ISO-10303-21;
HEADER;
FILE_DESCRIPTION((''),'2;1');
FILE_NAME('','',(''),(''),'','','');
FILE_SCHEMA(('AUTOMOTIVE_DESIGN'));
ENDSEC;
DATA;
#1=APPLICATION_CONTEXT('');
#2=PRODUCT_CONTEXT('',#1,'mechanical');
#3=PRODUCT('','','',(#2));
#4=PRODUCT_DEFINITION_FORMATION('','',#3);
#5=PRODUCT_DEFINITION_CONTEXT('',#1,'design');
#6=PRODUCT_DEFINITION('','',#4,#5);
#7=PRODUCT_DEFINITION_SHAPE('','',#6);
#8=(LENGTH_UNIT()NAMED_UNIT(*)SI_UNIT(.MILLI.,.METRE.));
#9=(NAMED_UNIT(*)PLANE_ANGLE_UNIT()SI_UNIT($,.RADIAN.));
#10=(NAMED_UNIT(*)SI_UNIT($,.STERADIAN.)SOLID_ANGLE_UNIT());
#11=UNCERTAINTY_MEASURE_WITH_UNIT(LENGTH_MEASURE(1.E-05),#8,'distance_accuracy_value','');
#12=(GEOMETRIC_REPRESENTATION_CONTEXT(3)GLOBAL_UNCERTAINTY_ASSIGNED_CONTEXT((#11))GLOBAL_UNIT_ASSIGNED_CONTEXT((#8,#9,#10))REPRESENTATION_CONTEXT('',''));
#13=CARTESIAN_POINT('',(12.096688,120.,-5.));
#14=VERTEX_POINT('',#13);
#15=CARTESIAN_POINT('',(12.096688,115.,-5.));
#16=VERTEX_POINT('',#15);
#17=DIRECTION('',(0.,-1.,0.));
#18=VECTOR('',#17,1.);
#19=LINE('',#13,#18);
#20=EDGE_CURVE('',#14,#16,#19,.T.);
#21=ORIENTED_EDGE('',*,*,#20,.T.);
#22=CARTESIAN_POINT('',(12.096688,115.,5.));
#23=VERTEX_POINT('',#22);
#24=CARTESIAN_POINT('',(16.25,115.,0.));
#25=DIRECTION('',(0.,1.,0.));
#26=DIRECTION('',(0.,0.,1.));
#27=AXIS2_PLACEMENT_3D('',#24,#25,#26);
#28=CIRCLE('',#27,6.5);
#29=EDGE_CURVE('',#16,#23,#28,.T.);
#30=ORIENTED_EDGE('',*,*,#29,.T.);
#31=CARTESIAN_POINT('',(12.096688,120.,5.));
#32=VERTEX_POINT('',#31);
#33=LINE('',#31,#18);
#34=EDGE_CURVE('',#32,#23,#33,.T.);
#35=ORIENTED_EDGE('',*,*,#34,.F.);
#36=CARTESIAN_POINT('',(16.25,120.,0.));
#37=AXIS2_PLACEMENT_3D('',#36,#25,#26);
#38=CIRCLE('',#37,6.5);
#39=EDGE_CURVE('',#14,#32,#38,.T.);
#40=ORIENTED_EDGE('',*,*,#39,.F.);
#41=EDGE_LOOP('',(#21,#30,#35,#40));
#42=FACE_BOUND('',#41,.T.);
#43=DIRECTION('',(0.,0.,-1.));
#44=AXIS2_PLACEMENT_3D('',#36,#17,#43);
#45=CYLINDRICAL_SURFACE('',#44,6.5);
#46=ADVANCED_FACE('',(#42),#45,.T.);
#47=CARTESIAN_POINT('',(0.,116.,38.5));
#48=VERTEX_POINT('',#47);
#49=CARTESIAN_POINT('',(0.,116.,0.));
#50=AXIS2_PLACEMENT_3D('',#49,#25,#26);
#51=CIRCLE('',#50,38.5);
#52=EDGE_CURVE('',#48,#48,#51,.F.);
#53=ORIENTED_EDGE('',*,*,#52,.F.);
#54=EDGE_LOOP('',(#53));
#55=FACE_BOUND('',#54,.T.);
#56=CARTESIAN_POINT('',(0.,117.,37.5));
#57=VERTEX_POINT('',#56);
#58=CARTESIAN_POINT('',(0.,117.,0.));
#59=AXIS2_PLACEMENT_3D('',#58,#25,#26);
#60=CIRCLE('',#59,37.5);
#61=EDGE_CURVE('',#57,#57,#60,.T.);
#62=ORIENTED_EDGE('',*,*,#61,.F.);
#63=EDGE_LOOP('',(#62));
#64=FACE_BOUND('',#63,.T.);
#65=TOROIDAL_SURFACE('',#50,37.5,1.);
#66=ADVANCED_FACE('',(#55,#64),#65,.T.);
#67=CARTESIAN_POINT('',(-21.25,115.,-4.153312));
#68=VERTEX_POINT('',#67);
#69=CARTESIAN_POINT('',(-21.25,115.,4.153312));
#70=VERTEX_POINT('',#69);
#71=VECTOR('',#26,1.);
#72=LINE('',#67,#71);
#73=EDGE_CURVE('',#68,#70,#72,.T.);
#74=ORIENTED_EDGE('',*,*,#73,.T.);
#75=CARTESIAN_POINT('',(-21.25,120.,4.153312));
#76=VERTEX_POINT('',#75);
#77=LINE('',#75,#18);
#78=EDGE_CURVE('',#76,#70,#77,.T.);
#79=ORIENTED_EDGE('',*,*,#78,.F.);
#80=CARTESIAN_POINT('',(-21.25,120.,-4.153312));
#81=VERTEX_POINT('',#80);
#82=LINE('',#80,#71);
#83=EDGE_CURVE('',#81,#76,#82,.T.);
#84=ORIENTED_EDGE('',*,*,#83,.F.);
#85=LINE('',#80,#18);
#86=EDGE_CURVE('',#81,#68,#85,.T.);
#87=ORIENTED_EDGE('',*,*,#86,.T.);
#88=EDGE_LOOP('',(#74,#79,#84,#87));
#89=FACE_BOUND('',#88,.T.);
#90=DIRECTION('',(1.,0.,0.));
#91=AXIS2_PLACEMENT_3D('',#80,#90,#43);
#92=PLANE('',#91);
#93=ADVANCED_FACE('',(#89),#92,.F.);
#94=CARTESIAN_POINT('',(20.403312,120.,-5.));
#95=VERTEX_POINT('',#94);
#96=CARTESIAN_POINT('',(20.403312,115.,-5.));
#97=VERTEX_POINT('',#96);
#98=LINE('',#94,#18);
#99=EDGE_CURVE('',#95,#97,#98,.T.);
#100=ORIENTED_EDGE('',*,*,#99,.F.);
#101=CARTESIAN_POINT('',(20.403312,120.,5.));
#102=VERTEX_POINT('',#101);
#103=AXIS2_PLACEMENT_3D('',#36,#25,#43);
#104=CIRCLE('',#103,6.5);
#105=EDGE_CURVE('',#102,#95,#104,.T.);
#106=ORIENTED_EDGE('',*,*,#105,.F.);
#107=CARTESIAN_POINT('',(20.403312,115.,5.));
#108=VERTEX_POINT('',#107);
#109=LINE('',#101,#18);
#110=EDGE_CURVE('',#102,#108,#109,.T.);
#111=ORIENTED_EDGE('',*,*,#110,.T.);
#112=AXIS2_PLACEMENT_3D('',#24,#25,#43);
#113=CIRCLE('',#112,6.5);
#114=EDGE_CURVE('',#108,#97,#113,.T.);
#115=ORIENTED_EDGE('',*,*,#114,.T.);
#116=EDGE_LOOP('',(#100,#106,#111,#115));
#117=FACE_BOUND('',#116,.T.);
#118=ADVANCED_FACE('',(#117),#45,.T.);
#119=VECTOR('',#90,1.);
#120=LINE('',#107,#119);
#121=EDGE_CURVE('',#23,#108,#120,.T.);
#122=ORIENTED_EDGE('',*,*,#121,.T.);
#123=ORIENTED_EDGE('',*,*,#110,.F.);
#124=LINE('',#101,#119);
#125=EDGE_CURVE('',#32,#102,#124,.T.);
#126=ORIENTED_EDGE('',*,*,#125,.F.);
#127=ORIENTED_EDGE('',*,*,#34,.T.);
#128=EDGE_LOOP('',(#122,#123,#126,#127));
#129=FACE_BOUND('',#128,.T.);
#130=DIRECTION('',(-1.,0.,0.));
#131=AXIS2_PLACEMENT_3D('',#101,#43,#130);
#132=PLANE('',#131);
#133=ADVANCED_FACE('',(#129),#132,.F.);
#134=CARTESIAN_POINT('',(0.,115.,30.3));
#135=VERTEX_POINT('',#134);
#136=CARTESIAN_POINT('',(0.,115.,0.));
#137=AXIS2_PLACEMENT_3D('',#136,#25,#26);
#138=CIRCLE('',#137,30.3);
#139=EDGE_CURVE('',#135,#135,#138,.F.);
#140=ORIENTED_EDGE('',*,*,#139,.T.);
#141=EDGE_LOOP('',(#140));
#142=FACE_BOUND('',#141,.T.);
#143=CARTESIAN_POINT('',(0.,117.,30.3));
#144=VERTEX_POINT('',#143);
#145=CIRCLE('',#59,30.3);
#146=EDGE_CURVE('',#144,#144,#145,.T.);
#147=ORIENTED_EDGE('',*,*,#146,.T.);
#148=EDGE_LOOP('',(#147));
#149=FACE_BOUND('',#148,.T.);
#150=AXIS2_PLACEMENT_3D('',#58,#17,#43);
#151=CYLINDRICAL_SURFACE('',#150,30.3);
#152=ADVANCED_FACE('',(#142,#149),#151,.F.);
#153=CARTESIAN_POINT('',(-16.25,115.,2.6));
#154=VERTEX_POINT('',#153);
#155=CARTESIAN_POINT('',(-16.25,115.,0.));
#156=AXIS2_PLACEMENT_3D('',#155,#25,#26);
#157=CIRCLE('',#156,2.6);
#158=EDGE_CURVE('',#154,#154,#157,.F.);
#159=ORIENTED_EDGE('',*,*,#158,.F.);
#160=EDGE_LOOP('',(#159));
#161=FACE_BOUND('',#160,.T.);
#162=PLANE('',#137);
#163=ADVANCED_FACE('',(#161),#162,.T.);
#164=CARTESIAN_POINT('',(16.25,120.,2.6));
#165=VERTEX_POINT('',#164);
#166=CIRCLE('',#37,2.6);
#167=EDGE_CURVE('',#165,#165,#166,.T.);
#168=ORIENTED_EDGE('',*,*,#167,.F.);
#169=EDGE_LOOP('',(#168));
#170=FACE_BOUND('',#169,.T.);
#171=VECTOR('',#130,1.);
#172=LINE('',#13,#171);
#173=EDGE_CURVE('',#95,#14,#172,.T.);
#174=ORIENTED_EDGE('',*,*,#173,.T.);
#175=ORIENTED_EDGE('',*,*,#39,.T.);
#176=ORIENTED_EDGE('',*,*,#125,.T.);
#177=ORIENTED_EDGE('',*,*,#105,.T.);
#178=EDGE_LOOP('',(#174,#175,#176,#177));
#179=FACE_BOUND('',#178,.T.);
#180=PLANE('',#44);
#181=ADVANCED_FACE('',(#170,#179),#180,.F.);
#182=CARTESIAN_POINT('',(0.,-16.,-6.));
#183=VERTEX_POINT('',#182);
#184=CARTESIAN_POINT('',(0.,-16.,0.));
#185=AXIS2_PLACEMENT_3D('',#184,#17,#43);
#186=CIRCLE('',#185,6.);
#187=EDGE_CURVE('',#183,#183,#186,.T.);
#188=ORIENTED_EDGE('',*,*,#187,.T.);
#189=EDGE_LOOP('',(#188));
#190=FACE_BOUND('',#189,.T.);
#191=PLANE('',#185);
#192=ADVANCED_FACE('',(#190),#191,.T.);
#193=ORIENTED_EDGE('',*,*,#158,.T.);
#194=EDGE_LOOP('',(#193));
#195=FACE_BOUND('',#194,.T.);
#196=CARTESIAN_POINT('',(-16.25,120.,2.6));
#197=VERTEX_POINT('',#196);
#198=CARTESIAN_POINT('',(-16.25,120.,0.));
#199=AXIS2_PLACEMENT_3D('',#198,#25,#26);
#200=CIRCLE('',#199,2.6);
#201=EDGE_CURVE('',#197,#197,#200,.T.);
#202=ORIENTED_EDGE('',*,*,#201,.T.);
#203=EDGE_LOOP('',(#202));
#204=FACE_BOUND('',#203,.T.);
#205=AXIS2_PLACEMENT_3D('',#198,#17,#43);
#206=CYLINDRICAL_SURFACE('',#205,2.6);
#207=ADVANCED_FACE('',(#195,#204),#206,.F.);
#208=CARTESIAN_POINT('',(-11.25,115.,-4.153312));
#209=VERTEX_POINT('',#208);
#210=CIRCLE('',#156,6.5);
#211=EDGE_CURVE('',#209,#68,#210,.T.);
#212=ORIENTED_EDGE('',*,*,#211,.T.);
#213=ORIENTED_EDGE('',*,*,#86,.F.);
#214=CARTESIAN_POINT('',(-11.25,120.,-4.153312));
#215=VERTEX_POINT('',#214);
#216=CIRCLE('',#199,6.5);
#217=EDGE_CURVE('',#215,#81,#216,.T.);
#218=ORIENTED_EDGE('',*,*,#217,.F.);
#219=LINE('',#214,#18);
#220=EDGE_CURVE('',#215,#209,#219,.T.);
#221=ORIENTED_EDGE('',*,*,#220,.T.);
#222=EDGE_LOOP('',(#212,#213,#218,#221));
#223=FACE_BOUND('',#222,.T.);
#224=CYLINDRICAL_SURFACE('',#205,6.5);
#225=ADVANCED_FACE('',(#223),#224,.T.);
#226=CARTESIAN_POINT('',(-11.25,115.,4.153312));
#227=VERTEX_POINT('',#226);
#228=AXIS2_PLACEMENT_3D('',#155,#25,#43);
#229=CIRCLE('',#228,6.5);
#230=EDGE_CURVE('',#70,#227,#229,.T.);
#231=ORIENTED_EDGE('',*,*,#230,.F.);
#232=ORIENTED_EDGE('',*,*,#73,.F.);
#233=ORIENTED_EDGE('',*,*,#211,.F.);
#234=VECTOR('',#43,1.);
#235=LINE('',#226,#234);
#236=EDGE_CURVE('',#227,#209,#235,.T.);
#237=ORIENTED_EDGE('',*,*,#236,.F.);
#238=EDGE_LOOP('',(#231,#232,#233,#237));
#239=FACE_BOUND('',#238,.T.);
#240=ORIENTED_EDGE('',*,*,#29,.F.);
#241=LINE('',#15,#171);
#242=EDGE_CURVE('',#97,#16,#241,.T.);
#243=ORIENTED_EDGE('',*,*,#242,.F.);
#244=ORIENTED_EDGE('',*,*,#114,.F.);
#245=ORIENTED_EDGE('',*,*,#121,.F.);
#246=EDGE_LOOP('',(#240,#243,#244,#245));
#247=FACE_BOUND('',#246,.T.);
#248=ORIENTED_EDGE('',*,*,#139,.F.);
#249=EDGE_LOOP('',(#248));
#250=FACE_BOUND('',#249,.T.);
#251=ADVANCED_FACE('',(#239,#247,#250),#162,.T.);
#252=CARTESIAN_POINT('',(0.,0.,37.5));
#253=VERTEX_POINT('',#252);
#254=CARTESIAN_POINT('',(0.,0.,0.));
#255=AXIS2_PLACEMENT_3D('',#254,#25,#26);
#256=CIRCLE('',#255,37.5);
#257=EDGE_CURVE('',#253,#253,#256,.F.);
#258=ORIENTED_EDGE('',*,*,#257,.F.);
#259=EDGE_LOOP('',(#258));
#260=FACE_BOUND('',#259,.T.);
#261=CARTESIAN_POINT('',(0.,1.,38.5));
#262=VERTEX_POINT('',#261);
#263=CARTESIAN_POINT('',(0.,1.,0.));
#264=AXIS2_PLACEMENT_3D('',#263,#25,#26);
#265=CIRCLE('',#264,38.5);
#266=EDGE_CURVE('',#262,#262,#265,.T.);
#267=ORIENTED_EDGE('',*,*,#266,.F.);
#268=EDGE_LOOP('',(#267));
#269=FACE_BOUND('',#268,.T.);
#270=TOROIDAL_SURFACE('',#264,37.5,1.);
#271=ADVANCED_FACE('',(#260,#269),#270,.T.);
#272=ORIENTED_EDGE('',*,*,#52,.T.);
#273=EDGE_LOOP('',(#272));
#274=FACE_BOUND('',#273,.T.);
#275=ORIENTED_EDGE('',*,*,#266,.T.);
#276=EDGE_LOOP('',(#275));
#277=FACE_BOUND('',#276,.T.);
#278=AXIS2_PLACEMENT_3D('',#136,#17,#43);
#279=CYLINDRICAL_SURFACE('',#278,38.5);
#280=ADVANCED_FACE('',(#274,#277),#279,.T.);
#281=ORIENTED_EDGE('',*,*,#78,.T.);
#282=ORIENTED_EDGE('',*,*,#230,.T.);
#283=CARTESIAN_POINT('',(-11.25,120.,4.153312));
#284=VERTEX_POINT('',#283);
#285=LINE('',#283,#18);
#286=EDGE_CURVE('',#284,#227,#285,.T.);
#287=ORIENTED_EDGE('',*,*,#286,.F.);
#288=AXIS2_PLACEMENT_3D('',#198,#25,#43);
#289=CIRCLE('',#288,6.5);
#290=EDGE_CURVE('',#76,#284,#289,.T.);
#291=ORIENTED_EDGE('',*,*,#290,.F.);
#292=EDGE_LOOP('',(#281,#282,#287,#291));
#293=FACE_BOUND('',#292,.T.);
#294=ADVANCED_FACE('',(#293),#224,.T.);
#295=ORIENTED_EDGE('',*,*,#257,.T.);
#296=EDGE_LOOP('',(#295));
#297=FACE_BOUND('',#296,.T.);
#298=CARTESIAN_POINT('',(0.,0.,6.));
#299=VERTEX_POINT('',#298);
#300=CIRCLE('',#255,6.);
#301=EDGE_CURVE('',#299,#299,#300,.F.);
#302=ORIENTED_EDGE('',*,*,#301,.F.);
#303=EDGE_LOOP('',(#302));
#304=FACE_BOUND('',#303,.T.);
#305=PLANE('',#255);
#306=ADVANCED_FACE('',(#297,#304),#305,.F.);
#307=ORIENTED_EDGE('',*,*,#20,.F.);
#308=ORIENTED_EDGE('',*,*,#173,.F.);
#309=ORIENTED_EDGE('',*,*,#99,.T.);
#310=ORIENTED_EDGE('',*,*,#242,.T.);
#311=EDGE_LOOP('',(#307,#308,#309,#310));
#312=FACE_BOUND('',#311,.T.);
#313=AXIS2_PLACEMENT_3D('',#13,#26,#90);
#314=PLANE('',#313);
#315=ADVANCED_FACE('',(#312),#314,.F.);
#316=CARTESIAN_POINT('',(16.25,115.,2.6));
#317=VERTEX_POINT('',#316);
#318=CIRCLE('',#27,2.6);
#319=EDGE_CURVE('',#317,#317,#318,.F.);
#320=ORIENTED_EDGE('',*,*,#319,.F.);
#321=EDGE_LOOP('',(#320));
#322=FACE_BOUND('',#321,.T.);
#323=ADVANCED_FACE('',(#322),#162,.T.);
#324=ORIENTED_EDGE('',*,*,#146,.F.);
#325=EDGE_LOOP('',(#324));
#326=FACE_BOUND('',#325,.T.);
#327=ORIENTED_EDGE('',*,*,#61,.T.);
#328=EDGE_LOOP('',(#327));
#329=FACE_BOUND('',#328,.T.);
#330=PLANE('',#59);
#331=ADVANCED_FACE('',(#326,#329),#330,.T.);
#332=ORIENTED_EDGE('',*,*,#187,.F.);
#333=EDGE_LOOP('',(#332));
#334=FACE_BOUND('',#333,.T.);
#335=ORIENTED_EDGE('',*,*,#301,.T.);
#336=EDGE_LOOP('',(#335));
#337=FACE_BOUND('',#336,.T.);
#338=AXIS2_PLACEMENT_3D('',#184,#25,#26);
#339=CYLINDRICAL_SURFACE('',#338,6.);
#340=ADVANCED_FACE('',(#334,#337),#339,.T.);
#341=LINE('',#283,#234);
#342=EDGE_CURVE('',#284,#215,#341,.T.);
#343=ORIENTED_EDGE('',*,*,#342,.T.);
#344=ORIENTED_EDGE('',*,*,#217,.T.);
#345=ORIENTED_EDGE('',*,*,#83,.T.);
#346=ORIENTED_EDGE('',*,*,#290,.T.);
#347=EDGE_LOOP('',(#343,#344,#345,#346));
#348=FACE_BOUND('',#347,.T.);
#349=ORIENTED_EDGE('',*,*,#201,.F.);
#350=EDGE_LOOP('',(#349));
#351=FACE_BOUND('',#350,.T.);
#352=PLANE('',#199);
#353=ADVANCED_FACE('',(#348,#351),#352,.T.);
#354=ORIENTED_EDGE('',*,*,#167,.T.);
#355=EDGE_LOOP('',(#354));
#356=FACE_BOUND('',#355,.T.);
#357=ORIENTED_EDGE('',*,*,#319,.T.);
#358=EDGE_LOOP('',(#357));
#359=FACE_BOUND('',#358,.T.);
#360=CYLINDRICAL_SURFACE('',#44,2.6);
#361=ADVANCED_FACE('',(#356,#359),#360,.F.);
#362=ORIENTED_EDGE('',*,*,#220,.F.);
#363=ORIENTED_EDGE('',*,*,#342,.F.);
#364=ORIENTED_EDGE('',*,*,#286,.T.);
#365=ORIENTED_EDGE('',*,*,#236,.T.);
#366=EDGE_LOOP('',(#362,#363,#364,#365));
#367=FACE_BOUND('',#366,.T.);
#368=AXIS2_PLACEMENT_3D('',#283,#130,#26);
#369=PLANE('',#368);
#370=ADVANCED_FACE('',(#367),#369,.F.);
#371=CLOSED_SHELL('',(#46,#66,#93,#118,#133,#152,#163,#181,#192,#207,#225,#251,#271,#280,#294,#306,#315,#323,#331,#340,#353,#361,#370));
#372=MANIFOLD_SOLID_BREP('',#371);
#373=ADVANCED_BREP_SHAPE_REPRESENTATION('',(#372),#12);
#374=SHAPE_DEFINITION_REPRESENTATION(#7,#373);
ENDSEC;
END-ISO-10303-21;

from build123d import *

# Parameters (mm, degrees)
SKETCH1_R           = 38.5
BOSS_EXTRUDE1_DEPTH = 115
SKETCH2_R           = 2.6
BOSS_EXTRUDE2_DEPTH = 5
SKETCH3_R           = 38.5
SKETCH3_R_2         = 30.3
BOSS_EXTRUDE3_DEPTH = 2
FILLET1_R           = 1
ESQUISSE1_R         = 6
BOSS_EXTRU_1_DEPTH  = 16


with BuildPart() as part:
    # Sketch1 → Boss-Extrude1 (new body)
    with BuildSketch(Plane(origin=(0, 0, 0), x_dir=(1, 0, 0), z_dir=(0, 1, 0))):
        with Locations(Location((0, 0, 0), (0, 0, 270))):
            Circle(SKETCH1_R)
    extrude(amount=BOSS_EXTRUDE1_DEPTH)

    # Sketch2 → Boss-Extrude2 (add)
    # profile 1 of 2: a face of its own
    with BuildSketch(Plane(origin=(0, 115, 0), x_dir=(1, 0, 0), z_dir=(0, 1, 0))):
        with BuildLine():
            Line((-21.25, 4.153311931), (-21.25, -4.153311931))
            ThreePointArc((-21.25, -4.153311931), (-16.25, -6.5), (-11.25, -4.153311931))
            Line((-11.25, -4.153311931), (-11.25, 4.153311931))
            ThreePointArc((-11.25, 4.153311931), (-16.25, 6.5), (-21.25, 4.153311931))
        make_face()
        with Locations(Location((-16.25, 0, 0), (0, 0, 270))):
            Circle(SKETCH2_R, mode=Mode.SUBTRACT)
    # profile 2 of 2: a face of its own
    with BuildSketch(Plane(origin=(0, 115, 0), x_dir=(1, 0, 0), z_dir=(0, 1, 0))):
        with BuildLine():
            Line((12.096688069, 5), (20.403311931, 5))
            ThreePointArc((20.403311931, 5), (22.75, 0), (20.403311931, -5))
            Line((20.403311931, -5), (12.096688069, -5))
            ThreePointArc((12.096688069, -5), (9.75, 0), (12.096688069, 5))
        make_face()
        with Locations(Location((16.25, 0, 0), (0, 0, 270))):
            Circle(SKETCH2_R, mode=Mode.SUBTRACT)
    extrude(amount=BOSS_EXTRUDE2_DEPTH)

    # Sketch3 → Boss-Extrude3 (add)
    with BuildSketch(Plane(origin=(0, 115, 0), x_dir=(1, 0, 0), z_dir=(0, 1, 0))):
        with Locations(Location((0, 0, 0), (0, 0, 270))):
            Circle(SKETCH3_R)
        with Locations(Location((0, 0, 0), (0, 0, 270))):
            Circle(SKETCH3_R_2, mode=Mode.SUBTRACT)
    extrude(amount=BOSS_EXTRUDE3_DEPTH)

    # Fillet1
    fillet1_edges = [part.edges().sort_by_distance(p)[0] for p in [
        (0, 0, -38.5),
        (0, 117, -38.5),
    ]]
    fillet(fillet1_edges, radius=FILLET1_R)

    # Esquisse1 → Boss.-Extru.1 (add)
    with BuildSketch(Plane.XZ):
        with Locations(Location((0, 0, 0), (0, 0, 90))):
            Circle(ESQUISSE1_R)
    extrude(amount=BOSS_EXTRU_1_DEPTH)


solid = part.part
